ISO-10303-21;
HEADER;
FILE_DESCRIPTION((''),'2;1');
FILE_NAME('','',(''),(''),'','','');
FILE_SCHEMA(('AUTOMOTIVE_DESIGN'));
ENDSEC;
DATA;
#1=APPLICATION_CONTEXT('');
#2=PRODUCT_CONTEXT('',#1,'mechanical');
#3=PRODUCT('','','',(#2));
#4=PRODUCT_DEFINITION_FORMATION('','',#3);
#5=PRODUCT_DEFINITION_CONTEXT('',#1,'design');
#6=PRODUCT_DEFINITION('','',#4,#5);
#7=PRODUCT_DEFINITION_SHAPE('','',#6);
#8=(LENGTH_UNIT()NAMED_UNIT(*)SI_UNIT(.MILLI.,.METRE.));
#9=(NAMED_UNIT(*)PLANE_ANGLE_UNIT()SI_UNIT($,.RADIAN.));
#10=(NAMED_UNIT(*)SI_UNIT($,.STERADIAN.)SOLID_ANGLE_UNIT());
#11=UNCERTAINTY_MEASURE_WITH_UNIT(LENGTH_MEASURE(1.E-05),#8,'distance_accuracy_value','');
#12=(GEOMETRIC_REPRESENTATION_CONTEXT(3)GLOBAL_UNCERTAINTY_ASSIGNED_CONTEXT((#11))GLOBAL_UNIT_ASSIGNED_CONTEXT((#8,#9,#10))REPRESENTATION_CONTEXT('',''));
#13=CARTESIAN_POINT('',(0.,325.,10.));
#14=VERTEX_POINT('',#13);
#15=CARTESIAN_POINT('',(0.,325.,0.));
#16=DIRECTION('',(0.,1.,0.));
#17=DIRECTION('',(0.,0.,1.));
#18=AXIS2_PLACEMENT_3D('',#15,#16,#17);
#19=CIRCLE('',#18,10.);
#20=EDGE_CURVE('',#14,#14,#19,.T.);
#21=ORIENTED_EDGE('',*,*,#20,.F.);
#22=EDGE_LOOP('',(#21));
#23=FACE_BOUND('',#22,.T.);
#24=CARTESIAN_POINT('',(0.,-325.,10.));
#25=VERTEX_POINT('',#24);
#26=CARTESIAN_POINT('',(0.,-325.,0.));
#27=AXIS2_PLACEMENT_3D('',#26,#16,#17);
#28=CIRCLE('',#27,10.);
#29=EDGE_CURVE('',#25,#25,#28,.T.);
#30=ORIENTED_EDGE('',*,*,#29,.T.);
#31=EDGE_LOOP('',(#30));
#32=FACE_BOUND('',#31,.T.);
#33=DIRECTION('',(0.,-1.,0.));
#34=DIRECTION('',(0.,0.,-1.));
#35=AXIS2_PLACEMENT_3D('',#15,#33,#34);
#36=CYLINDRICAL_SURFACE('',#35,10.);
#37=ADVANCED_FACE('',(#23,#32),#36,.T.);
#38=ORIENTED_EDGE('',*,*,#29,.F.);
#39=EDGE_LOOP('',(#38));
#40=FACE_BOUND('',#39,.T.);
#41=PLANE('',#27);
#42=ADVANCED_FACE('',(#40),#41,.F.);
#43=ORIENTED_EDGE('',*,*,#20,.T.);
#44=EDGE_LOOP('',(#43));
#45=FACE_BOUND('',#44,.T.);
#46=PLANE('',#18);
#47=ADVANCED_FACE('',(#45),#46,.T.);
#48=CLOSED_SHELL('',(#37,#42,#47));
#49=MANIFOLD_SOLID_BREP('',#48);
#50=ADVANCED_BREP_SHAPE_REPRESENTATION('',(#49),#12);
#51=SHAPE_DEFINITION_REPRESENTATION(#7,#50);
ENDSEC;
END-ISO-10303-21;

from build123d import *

# Parameters (mm, degrees)
CROQUIS1_R              = 10
SALIENTE_EXTRUIR1_DEPTH = 325


with BuildPart() as part:
    # Croquis1 → Saliente-Extruir1 (new, symmetric)
    with BuildSketch(Plane(origin=(0, 0, 0), x_dir=(1, 0, 0), z_dir=(0, 1, 0))):
        with Locations(Location((0, 0, 0), (0, 0, 270))):
            Circle(CROQUIS1_R)
    extrude(amount=SALIENTE_EXTRUIR1_DEPTH, both=True)


solid = part.part
